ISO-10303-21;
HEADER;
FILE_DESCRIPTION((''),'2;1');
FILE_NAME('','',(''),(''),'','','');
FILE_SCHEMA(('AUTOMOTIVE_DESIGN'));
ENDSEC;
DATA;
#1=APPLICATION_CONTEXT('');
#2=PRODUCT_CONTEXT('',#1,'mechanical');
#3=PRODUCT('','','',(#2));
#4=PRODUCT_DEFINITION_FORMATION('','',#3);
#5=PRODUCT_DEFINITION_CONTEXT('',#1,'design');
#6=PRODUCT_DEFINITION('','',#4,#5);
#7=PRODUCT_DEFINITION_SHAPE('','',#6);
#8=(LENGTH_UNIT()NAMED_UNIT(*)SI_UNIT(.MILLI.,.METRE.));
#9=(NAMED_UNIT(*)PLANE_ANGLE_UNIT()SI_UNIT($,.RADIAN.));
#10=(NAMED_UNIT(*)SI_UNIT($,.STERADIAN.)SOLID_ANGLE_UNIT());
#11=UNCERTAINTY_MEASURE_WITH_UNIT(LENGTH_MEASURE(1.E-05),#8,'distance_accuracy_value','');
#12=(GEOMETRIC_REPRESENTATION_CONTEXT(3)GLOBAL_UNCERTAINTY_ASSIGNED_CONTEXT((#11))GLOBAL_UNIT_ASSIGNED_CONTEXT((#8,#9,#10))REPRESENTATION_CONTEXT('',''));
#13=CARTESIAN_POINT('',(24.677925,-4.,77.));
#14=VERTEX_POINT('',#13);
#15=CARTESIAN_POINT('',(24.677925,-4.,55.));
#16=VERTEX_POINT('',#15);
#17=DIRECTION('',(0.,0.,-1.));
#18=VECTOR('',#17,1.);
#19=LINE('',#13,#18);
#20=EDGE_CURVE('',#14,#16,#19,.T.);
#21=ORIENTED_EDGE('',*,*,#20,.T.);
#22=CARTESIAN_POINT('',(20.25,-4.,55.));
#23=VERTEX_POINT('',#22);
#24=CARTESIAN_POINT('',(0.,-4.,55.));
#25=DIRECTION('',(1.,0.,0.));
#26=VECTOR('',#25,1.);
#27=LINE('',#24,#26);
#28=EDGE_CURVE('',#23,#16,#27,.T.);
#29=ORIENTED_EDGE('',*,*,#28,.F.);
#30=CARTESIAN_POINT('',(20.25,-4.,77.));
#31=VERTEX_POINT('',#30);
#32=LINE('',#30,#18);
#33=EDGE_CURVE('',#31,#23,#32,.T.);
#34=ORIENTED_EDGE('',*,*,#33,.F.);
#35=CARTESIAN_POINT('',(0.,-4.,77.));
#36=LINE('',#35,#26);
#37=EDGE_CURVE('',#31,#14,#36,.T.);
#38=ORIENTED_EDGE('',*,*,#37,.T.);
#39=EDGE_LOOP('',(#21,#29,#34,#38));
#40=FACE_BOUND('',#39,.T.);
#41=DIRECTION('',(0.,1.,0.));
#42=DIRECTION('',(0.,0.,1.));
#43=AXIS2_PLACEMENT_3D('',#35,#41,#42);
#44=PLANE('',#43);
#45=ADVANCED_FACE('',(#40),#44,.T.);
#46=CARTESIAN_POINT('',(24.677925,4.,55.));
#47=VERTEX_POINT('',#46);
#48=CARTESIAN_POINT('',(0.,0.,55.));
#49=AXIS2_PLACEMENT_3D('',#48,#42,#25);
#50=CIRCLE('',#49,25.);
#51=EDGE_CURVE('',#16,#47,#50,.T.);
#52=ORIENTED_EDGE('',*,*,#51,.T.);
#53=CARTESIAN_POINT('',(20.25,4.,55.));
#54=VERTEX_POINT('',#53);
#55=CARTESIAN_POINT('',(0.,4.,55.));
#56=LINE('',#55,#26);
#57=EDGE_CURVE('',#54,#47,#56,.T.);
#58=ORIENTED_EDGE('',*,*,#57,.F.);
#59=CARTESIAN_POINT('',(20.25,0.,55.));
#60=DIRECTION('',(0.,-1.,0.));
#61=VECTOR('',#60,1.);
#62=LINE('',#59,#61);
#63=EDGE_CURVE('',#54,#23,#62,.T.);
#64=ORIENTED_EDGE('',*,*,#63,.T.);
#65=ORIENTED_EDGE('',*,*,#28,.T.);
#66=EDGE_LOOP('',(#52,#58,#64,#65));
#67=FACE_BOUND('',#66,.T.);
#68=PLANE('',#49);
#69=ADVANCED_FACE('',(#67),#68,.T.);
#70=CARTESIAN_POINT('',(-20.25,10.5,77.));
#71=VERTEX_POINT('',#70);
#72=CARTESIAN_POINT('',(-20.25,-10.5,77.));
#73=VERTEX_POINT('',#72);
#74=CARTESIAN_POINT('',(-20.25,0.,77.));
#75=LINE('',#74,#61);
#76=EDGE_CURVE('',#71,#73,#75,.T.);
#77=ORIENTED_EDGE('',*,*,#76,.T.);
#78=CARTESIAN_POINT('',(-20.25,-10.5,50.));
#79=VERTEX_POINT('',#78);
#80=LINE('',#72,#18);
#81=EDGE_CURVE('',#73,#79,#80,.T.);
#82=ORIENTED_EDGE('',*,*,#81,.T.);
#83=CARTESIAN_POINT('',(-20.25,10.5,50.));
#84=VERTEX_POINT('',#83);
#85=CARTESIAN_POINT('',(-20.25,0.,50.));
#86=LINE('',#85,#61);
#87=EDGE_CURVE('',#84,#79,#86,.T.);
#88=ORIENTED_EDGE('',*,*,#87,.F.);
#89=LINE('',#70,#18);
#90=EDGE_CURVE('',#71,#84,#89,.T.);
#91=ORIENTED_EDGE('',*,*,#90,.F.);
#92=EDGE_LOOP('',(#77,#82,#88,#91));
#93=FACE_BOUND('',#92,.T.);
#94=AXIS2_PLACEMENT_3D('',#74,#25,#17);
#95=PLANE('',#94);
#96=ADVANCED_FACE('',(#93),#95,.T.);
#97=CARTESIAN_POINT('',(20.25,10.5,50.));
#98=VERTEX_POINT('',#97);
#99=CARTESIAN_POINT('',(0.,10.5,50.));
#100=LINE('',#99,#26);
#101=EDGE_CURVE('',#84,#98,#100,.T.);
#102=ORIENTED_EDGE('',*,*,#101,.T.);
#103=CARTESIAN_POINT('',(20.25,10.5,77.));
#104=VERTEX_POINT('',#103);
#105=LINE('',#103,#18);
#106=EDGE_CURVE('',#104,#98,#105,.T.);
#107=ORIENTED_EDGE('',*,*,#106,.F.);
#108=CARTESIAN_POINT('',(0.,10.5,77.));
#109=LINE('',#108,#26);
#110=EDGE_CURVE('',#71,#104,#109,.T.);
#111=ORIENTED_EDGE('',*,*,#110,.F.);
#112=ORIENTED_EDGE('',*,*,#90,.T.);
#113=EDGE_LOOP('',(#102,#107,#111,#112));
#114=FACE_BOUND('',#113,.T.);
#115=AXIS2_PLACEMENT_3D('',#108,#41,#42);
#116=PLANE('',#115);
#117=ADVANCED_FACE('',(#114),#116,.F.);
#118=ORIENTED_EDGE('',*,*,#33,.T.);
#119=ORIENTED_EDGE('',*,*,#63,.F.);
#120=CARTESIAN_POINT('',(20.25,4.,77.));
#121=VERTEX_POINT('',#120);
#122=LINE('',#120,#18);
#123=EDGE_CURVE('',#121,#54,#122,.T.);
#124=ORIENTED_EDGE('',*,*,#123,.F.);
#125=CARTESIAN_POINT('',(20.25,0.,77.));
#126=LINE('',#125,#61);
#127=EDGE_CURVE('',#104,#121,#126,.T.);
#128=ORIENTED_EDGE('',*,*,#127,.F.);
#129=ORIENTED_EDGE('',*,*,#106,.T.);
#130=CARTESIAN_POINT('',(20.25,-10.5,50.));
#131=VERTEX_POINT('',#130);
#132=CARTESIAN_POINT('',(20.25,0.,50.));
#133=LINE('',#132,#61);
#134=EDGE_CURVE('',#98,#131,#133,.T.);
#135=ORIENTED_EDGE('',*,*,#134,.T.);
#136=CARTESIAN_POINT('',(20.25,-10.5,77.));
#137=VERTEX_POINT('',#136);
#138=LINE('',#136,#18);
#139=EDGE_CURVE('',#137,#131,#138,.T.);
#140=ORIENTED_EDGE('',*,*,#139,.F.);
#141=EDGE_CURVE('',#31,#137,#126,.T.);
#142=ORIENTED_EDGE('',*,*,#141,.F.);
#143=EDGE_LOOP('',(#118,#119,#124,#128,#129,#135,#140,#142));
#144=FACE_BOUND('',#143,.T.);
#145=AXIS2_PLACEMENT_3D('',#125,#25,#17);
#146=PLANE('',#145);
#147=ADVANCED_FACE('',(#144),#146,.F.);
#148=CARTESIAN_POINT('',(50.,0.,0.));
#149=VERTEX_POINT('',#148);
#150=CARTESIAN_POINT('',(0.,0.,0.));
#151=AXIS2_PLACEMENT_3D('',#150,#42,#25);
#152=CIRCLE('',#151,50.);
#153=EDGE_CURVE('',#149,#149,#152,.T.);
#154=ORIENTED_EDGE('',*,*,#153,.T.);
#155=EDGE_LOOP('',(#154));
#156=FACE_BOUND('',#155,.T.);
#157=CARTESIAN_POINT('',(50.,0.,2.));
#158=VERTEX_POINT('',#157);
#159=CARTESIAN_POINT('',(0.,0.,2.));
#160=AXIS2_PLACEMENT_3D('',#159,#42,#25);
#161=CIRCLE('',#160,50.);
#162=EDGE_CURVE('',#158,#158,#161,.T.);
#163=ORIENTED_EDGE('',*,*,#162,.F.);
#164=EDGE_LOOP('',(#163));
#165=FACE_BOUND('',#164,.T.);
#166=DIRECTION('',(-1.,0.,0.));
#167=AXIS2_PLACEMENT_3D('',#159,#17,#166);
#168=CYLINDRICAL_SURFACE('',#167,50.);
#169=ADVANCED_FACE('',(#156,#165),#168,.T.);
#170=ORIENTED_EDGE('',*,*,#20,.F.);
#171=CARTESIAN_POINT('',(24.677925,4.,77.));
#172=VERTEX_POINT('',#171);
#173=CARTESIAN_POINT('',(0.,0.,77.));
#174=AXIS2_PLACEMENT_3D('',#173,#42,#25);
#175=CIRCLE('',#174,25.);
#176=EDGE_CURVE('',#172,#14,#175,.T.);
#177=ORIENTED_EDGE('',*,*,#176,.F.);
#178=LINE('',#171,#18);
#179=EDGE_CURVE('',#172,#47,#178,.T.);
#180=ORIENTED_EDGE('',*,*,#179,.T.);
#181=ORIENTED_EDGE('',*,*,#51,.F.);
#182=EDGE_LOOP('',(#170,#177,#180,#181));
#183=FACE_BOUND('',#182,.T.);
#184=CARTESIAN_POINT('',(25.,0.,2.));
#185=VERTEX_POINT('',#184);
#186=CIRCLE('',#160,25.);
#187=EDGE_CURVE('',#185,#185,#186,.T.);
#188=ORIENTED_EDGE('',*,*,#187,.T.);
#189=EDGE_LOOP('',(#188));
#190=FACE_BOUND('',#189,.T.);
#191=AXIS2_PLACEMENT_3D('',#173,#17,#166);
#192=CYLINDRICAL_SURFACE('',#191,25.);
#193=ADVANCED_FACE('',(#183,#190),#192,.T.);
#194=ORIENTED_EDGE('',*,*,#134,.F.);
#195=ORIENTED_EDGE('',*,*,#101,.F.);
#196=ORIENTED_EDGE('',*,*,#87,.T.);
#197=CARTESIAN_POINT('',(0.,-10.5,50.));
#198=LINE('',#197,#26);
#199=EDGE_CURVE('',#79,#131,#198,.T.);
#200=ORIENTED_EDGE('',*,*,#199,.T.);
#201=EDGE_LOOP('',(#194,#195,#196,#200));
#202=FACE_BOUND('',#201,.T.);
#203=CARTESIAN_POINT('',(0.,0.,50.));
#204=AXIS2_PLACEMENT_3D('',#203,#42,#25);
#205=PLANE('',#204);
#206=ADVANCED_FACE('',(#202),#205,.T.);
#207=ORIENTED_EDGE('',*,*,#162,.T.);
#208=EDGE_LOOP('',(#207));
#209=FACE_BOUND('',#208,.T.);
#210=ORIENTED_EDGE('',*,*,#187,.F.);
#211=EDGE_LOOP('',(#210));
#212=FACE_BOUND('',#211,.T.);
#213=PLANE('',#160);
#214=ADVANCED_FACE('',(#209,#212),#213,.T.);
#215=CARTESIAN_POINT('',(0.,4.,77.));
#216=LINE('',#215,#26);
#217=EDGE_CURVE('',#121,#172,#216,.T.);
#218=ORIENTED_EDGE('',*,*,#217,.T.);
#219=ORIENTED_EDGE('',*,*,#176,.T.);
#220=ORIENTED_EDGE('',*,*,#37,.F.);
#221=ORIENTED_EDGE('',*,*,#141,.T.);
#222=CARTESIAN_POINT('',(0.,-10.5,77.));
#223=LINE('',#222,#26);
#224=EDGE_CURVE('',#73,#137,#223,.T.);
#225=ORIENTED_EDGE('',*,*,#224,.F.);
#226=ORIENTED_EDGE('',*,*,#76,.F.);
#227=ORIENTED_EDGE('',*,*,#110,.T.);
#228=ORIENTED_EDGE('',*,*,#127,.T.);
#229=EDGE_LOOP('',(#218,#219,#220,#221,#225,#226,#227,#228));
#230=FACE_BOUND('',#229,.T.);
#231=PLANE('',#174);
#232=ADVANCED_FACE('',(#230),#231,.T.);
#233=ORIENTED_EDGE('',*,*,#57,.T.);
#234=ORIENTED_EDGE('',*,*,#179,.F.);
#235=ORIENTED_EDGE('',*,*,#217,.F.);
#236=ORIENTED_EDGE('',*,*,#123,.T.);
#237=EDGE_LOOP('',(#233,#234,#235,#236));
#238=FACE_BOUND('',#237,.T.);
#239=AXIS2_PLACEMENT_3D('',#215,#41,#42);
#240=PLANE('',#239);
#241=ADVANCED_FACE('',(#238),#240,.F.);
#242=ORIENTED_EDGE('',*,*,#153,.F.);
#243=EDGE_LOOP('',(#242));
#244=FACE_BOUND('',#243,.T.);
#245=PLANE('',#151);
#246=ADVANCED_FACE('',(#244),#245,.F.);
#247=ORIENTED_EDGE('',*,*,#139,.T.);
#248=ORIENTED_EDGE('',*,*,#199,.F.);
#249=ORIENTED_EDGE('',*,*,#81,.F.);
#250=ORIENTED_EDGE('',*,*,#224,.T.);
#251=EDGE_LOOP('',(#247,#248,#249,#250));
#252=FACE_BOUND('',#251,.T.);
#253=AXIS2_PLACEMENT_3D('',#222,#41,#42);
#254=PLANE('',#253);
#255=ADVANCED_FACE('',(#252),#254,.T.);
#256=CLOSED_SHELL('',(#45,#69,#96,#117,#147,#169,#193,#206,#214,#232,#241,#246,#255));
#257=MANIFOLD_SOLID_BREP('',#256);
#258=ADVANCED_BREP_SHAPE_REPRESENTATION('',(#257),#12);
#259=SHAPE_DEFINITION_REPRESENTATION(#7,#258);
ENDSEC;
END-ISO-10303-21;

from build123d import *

# Parameters (mm, degrees)
SKETCH1_R           = 50
SKETCH1_R_2         = 25
BOSS_EXTRUDE1_DEPTH = 2
SKETCH1_3_W         = 40.5
SKETCH1_3_H         = 21
BOSS_EXTRUDE2_DEPTH = 50
BOSS_EXTRUDE3_DEPTH = 77
BOSS_EXTRUDE7_DEPTH = 55


with BuildPart() as part:
    # Sketch1 → Boss-Extrude1 (new body)
    with BuildSketch(Plane.XY):
        Circle(SKETCH1_R)
        Circle(SKETCH1_R_2, mode=Mode.SUBTRACT)
    extrude(amount=BOSS_EXTRUDE1_DEPTH)



with BuildPart() as body_2:
    # Sketch1<3> → Boss-Extrude2 (new body)
    with BuildSketch(Plane.XY):
        Rectangle(SKETCH1_3_W, SKETCH1_3_H)
    extrude(amount=BOSS_EXTRUDE2_DEPTH)


with BuildPart() as part_1:
    add(part.part)

    add(body_2.part)  # Boss-Extrude3 merges body 2
    # Sketch1<4> → Boss-Extrude3 (add)
    with BuildSketch(Plane.XY):
        with BuildLine():
            Line((-20.25, -10.5), (-20.25, 10.5))
            Line((-20.25, 10.5), (20.25, 10.5))
            Line((20.25, 10.5), (20.25, 4))
            Line((20.25, 4), (24.677925359, 4))
            ThreePointArc((24.677925359, 4), (-25, 0), (24.677925359, -4))
            Line((24.677925359, -4), (20.25, -4))
            Line((20.25, -4), (20.25, -10.5))
            Line((20.25, -10.5), (-20.25, -10.5))
        make_face()
    extrude(amount=BOSS_EXTRUDE3_DEPTH)

    # Sketch1<7> → Boss-Extrude7 (add)
    with BuildSketch(Plane.XY):
        with BuildLine():
            Line((24.677925359, 4), (20.25, 4))
            Line((20.25, 4), (20.25, -4))
            Line((20.25, -4), (24.677925359, -4))
            ThreePointArc((24.677925359, -4), (24.919351255, -2.00647278), (25, 0))
            ThreePointArc((25, 0), (24.919351255, 2.00647278), (24.677925359, 4))
        make_face()
    extrude(amount=BOSS_EXTRUDE7_DEPTH)


solid = part_1.part
